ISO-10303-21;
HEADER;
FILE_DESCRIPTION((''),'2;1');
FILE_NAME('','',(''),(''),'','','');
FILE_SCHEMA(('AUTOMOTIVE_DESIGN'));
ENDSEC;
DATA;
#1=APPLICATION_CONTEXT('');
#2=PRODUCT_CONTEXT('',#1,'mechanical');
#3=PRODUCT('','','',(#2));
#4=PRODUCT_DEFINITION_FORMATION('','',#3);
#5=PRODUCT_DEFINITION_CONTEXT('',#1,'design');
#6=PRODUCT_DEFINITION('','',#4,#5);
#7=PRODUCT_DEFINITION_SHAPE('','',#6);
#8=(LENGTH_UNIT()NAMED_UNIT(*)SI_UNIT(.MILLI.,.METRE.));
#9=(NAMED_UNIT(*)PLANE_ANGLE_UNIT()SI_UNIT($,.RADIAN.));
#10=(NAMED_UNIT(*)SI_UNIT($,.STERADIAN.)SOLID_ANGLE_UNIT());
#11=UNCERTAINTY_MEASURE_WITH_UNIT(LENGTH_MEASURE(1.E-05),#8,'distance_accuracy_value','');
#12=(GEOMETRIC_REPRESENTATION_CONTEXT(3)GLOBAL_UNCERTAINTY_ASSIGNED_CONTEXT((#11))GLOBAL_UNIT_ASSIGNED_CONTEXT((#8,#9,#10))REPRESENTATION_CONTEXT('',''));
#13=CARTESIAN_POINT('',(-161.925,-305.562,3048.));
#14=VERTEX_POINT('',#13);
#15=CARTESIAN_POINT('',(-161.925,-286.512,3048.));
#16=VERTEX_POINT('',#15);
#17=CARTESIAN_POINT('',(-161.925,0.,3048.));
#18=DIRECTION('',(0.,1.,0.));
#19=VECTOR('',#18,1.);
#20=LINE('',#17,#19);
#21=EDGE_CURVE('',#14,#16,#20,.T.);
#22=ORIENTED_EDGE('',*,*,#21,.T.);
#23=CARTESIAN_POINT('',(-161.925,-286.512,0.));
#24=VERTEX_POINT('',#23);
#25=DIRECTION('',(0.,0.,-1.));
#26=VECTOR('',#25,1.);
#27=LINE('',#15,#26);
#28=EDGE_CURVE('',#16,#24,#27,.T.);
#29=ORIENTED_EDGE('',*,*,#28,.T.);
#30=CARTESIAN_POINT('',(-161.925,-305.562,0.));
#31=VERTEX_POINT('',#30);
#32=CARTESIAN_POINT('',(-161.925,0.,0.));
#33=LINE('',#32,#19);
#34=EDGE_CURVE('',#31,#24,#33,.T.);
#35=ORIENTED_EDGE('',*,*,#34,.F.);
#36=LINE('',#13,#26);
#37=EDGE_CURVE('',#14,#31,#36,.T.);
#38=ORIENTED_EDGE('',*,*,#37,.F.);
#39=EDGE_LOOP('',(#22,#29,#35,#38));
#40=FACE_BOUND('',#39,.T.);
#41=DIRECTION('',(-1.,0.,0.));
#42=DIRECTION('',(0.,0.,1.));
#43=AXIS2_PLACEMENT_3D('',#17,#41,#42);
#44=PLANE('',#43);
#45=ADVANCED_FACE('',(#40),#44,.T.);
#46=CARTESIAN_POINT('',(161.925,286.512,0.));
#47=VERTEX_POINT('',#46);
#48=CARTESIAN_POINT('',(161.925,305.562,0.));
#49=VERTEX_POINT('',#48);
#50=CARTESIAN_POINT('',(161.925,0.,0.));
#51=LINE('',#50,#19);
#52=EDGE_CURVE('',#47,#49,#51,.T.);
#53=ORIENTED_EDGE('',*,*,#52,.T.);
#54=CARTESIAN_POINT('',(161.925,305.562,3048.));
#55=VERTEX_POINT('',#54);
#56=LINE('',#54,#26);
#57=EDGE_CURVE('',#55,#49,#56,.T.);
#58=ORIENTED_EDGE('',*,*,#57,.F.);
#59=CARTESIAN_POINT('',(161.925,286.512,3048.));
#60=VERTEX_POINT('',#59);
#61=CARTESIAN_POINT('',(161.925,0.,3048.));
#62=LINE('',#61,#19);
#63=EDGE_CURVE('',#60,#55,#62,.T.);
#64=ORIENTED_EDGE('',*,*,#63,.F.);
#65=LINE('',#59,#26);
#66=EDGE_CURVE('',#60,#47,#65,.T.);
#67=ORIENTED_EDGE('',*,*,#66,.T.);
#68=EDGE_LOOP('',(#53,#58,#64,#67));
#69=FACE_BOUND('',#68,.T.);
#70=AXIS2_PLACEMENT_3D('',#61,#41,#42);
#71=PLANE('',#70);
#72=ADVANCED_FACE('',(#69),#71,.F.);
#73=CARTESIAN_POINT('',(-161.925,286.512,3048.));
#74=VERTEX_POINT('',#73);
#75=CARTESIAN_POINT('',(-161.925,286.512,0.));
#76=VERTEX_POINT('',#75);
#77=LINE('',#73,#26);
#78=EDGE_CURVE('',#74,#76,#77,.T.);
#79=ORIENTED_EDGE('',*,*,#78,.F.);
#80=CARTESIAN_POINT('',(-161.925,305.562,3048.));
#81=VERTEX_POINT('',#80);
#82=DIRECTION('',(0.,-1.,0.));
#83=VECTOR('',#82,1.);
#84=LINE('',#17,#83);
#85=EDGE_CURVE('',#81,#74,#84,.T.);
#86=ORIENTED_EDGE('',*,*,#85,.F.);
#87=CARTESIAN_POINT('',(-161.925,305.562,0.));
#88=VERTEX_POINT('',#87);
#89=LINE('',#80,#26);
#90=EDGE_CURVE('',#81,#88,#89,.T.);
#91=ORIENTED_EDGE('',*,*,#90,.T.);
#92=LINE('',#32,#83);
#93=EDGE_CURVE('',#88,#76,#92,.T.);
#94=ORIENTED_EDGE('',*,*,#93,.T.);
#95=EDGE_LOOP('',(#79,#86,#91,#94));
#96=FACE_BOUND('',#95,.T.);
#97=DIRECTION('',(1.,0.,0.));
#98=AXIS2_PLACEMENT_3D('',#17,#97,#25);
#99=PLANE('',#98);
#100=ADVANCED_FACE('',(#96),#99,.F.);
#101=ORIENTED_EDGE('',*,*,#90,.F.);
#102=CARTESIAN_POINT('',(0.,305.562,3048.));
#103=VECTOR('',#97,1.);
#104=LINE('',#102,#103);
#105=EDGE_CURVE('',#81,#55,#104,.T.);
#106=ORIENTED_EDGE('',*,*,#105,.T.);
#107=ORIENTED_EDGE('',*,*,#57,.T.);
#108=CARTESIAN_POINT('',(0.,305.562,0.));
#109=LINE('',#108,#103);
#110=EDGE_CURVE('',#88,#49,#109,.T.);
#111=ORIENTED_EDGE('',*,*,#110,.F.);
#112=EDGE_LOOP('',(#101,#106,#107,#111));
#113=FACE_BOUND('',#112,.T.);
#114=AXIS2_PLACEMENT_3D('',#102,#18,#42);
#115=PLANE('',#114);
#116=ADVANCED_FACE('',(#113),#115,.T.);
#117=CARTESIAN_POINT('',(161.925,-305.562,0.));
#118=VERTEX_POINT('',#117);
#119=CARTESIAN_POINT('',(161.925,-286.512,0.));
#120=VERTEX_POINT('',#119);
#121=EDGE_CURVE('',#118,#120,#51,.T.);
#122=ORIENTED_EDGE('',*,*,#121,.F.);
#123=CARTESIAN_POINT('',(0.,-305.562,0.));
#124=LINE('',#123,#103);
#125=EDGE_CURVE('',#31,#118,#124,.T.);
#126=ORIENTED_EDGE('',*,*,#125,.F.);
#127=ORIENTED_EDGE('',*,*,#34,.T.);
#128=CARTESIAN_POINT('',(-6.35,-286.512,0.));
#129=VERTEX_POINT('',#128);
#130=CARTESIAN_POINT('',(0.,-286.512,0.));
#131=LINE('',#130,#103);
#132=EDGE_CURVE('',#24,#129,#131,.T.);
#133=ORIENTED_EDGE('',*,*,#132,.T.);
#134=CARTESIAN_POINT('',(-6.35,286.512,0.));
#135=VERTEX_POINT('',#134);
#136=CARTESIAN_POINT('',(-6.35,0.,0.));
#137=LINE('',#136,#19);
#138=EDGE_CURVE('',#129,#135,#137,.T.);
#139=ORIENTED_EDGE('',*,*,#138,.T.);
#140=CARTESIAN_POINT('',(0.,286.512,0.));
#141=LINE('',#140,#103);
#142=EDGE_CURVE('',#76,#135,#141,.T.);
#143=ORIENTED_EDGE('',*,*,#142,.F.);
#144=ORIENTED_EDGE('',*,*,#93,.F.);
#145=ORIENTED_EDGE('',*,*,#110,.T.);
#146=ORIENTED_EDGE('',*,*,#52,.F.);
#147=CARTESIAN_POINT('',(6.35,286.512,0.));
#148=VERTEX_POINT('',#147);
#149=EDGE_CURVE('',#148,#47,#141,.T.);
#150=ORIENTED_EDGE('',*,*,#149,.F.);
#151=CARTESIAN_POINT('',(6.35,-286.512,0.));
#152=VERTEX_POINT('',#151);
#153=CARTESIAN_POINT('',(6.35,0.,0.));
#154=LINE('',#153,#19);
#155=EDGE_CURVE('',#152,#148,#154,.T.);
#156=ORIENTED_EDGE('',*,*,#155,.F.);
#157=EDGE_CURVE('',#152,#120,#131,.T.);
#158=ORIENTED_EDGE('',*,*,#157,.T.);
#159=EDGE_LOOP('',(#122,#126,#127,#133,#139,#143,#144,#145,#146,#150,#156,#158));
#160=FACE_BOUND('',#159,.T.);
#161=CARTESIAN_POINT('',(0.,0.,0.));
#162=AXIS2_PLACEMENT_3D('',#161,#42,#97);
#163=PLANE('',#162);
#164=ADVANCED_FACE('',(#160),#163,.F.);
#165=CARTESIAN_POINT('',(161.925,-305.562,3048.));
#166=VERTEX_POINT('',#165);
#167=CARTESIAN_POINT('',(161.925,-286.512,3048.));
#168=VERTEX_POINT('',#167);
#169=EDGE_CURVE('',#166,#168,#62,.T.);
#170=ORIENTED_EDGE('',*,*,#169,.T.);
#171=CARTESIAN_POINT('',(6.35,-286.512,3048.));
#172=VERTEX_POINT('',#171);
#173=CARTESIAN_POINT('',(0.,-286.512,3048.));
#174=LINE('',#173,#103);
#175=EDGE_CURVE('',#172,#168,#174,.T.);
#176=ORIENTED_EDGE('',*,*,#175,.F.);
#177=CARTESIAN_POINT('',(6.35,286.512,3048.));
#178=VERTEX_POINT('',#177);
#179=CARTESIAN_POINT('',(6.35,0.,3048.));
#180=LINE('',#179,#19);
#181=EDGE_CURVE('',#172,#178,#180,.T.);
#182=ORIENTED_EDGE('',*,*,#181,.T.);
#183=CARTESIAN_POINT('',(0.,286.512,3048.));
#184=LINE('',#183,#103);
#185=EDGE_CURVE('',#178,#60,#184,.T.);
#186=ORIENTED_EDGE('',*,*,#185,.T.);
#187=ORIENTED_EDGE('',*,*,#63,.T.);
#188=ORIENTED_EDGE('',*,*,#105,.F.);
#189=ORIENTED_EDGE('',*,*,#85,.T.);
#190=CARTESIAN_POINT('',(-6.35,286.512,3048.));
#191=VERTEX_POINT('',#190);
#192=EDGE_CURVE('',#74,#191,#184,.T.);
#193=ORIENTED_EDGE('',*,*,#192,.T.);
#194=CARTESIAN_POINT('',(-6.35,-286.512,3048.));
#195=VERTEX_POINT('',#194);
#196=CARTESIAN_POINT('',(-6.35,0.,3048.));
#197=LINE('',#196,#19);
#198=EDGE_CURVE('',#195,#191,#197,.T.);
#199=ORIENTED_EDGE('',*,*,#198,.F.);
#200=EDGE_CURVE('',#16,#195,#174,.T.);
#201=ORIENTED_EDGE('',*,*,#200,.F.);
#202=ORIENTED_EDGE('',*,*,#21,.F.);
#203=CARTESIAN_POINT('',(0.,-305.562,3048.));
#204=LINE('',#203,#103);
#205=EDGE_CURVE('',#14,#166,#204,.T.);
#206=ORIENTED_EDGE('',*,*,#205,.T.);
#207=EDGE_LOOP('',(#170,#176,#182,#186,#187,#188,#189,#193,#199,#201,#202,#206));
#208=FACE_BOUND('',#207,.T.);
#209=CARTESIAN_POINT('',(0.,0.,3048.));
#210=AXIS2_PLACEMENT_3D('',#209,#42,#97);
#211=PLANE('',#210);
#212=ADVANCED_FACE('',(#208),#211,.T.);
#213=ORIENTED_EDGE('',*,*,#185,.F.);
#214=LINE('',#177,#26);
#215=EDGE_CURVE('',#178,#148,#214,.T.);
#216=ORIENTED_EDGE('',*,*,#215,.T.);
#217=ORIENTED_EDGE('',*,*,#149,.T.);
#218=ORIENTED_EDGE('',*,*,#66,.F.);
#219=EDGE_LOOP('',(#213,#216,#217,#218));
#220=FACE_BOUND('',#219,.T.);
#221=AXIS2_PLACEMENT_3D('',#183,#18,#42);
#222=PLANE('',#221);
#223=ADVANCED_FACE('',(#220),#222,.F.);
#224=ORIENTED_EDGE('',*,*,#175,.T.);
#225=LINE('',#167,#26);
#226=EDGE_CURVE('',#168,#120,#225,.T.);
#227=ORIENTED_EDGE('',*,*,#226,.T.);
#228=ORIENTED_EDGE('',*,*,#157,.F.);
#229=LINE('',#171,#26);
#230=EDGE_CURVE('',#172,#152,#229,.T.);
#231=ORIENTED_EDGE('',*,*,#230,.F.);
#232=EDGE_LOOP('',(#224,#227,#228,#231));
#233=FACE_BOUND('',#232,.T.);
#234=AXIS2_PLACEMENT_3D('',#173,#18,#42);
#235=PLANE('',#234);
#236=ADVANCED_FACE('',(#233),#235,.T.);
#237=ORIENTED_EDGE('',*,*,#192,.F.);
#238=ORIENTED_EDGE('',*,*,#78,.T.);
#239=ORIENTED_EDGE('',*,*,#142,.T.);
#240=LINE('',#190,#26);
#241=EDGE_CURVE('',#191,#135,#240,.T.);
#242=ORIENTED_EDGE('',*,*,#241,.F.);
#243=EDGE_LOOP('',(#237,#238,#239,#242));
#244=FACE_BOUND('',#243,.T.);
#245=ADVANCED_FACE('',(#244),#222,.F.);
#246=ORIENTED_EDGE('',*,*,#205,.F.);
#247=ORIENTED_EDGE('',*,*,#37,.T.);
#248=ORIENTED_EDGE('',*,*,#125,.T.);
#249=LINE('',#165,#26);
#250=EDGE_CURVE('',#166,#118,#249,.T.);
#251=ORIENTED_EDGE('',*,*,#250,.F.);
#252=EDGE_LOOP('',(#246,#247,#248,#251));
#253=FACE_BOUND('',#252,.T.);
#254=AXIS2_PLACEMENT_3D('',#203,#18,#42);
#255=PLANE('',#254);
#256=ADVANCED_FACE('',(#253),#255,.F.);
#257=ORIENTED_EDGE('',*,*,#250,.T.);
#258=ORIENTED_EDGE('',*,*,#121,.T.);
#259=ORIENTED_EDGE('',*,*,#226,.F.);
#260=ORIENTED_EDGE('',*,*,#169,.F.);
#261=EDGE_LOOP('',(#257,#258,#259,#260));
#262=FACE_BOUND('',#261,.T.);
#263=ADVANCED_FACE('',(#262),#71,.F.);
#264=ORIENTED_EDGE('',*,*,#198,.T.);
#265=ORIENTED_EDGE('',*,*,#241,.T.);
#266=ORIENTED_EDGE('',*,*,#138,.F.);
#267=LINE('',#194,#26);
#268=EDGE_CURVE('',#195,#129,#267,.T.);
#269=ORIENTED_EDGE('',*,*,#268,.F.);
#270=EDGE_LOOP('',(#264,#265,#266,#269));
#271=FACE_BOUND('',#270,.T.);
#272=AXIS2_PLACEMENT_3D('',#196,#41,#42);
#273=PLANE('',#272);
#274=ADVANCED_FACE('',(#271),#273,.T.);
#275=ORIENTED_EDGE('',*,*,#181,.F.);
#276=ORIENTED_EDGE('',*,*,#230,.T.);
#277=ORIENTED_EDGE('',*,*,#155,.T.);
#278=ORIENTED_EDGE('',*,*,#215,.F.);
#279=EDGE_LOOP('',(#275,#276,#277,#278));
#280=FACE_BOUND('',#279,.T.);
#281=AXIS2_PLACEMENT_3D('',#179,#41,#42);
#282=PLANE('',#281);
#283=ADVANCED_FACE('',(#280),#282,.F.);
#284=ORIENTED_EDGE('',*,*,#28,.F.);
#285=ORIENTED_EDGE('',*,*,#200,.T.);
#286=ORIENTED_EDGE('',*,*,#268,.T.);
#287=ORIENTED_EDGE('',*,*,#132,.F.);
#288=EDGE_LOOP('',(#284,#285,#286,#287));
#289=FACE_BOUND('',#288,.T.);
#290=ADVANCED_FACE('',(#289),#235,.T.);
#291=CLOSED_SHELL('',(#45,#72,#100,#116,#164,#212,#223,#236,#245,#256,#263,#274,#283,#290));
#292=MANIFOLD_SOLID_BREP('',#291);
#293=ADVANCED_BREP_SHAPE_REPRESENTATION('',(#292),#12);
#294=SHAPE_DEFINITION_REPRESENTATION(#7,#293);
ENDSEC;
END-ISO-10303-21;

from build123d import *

# Parameters (mm, degrees)
BOSS_EXTRUDE1_DEPTH = 3048


with BuildPart() as part:
    # Sketch1 → Boss-Extrude1 (new body)
    with BuildSketch(Plane.XY):
        Polygon((-6.35, 305.562), (-161.925, 305.562), (-161.925, 286.512), (-6.35, 286.512), (-6.35, -286.512), (-161.925, -286.512), (-161.925, -305.562), (-6.35, -305.562), (6.35, -305.562), (161.925, -305.562), (161.925, -286.512), (6.35, -286.512), (6.35, 286.512), (161.925, 286.512), (161.925, 305.562), (6.35, 305.562), align=None)
    extrude(amount=BOSS_EXTRUDE1_DEPTH)


solid = part.part
